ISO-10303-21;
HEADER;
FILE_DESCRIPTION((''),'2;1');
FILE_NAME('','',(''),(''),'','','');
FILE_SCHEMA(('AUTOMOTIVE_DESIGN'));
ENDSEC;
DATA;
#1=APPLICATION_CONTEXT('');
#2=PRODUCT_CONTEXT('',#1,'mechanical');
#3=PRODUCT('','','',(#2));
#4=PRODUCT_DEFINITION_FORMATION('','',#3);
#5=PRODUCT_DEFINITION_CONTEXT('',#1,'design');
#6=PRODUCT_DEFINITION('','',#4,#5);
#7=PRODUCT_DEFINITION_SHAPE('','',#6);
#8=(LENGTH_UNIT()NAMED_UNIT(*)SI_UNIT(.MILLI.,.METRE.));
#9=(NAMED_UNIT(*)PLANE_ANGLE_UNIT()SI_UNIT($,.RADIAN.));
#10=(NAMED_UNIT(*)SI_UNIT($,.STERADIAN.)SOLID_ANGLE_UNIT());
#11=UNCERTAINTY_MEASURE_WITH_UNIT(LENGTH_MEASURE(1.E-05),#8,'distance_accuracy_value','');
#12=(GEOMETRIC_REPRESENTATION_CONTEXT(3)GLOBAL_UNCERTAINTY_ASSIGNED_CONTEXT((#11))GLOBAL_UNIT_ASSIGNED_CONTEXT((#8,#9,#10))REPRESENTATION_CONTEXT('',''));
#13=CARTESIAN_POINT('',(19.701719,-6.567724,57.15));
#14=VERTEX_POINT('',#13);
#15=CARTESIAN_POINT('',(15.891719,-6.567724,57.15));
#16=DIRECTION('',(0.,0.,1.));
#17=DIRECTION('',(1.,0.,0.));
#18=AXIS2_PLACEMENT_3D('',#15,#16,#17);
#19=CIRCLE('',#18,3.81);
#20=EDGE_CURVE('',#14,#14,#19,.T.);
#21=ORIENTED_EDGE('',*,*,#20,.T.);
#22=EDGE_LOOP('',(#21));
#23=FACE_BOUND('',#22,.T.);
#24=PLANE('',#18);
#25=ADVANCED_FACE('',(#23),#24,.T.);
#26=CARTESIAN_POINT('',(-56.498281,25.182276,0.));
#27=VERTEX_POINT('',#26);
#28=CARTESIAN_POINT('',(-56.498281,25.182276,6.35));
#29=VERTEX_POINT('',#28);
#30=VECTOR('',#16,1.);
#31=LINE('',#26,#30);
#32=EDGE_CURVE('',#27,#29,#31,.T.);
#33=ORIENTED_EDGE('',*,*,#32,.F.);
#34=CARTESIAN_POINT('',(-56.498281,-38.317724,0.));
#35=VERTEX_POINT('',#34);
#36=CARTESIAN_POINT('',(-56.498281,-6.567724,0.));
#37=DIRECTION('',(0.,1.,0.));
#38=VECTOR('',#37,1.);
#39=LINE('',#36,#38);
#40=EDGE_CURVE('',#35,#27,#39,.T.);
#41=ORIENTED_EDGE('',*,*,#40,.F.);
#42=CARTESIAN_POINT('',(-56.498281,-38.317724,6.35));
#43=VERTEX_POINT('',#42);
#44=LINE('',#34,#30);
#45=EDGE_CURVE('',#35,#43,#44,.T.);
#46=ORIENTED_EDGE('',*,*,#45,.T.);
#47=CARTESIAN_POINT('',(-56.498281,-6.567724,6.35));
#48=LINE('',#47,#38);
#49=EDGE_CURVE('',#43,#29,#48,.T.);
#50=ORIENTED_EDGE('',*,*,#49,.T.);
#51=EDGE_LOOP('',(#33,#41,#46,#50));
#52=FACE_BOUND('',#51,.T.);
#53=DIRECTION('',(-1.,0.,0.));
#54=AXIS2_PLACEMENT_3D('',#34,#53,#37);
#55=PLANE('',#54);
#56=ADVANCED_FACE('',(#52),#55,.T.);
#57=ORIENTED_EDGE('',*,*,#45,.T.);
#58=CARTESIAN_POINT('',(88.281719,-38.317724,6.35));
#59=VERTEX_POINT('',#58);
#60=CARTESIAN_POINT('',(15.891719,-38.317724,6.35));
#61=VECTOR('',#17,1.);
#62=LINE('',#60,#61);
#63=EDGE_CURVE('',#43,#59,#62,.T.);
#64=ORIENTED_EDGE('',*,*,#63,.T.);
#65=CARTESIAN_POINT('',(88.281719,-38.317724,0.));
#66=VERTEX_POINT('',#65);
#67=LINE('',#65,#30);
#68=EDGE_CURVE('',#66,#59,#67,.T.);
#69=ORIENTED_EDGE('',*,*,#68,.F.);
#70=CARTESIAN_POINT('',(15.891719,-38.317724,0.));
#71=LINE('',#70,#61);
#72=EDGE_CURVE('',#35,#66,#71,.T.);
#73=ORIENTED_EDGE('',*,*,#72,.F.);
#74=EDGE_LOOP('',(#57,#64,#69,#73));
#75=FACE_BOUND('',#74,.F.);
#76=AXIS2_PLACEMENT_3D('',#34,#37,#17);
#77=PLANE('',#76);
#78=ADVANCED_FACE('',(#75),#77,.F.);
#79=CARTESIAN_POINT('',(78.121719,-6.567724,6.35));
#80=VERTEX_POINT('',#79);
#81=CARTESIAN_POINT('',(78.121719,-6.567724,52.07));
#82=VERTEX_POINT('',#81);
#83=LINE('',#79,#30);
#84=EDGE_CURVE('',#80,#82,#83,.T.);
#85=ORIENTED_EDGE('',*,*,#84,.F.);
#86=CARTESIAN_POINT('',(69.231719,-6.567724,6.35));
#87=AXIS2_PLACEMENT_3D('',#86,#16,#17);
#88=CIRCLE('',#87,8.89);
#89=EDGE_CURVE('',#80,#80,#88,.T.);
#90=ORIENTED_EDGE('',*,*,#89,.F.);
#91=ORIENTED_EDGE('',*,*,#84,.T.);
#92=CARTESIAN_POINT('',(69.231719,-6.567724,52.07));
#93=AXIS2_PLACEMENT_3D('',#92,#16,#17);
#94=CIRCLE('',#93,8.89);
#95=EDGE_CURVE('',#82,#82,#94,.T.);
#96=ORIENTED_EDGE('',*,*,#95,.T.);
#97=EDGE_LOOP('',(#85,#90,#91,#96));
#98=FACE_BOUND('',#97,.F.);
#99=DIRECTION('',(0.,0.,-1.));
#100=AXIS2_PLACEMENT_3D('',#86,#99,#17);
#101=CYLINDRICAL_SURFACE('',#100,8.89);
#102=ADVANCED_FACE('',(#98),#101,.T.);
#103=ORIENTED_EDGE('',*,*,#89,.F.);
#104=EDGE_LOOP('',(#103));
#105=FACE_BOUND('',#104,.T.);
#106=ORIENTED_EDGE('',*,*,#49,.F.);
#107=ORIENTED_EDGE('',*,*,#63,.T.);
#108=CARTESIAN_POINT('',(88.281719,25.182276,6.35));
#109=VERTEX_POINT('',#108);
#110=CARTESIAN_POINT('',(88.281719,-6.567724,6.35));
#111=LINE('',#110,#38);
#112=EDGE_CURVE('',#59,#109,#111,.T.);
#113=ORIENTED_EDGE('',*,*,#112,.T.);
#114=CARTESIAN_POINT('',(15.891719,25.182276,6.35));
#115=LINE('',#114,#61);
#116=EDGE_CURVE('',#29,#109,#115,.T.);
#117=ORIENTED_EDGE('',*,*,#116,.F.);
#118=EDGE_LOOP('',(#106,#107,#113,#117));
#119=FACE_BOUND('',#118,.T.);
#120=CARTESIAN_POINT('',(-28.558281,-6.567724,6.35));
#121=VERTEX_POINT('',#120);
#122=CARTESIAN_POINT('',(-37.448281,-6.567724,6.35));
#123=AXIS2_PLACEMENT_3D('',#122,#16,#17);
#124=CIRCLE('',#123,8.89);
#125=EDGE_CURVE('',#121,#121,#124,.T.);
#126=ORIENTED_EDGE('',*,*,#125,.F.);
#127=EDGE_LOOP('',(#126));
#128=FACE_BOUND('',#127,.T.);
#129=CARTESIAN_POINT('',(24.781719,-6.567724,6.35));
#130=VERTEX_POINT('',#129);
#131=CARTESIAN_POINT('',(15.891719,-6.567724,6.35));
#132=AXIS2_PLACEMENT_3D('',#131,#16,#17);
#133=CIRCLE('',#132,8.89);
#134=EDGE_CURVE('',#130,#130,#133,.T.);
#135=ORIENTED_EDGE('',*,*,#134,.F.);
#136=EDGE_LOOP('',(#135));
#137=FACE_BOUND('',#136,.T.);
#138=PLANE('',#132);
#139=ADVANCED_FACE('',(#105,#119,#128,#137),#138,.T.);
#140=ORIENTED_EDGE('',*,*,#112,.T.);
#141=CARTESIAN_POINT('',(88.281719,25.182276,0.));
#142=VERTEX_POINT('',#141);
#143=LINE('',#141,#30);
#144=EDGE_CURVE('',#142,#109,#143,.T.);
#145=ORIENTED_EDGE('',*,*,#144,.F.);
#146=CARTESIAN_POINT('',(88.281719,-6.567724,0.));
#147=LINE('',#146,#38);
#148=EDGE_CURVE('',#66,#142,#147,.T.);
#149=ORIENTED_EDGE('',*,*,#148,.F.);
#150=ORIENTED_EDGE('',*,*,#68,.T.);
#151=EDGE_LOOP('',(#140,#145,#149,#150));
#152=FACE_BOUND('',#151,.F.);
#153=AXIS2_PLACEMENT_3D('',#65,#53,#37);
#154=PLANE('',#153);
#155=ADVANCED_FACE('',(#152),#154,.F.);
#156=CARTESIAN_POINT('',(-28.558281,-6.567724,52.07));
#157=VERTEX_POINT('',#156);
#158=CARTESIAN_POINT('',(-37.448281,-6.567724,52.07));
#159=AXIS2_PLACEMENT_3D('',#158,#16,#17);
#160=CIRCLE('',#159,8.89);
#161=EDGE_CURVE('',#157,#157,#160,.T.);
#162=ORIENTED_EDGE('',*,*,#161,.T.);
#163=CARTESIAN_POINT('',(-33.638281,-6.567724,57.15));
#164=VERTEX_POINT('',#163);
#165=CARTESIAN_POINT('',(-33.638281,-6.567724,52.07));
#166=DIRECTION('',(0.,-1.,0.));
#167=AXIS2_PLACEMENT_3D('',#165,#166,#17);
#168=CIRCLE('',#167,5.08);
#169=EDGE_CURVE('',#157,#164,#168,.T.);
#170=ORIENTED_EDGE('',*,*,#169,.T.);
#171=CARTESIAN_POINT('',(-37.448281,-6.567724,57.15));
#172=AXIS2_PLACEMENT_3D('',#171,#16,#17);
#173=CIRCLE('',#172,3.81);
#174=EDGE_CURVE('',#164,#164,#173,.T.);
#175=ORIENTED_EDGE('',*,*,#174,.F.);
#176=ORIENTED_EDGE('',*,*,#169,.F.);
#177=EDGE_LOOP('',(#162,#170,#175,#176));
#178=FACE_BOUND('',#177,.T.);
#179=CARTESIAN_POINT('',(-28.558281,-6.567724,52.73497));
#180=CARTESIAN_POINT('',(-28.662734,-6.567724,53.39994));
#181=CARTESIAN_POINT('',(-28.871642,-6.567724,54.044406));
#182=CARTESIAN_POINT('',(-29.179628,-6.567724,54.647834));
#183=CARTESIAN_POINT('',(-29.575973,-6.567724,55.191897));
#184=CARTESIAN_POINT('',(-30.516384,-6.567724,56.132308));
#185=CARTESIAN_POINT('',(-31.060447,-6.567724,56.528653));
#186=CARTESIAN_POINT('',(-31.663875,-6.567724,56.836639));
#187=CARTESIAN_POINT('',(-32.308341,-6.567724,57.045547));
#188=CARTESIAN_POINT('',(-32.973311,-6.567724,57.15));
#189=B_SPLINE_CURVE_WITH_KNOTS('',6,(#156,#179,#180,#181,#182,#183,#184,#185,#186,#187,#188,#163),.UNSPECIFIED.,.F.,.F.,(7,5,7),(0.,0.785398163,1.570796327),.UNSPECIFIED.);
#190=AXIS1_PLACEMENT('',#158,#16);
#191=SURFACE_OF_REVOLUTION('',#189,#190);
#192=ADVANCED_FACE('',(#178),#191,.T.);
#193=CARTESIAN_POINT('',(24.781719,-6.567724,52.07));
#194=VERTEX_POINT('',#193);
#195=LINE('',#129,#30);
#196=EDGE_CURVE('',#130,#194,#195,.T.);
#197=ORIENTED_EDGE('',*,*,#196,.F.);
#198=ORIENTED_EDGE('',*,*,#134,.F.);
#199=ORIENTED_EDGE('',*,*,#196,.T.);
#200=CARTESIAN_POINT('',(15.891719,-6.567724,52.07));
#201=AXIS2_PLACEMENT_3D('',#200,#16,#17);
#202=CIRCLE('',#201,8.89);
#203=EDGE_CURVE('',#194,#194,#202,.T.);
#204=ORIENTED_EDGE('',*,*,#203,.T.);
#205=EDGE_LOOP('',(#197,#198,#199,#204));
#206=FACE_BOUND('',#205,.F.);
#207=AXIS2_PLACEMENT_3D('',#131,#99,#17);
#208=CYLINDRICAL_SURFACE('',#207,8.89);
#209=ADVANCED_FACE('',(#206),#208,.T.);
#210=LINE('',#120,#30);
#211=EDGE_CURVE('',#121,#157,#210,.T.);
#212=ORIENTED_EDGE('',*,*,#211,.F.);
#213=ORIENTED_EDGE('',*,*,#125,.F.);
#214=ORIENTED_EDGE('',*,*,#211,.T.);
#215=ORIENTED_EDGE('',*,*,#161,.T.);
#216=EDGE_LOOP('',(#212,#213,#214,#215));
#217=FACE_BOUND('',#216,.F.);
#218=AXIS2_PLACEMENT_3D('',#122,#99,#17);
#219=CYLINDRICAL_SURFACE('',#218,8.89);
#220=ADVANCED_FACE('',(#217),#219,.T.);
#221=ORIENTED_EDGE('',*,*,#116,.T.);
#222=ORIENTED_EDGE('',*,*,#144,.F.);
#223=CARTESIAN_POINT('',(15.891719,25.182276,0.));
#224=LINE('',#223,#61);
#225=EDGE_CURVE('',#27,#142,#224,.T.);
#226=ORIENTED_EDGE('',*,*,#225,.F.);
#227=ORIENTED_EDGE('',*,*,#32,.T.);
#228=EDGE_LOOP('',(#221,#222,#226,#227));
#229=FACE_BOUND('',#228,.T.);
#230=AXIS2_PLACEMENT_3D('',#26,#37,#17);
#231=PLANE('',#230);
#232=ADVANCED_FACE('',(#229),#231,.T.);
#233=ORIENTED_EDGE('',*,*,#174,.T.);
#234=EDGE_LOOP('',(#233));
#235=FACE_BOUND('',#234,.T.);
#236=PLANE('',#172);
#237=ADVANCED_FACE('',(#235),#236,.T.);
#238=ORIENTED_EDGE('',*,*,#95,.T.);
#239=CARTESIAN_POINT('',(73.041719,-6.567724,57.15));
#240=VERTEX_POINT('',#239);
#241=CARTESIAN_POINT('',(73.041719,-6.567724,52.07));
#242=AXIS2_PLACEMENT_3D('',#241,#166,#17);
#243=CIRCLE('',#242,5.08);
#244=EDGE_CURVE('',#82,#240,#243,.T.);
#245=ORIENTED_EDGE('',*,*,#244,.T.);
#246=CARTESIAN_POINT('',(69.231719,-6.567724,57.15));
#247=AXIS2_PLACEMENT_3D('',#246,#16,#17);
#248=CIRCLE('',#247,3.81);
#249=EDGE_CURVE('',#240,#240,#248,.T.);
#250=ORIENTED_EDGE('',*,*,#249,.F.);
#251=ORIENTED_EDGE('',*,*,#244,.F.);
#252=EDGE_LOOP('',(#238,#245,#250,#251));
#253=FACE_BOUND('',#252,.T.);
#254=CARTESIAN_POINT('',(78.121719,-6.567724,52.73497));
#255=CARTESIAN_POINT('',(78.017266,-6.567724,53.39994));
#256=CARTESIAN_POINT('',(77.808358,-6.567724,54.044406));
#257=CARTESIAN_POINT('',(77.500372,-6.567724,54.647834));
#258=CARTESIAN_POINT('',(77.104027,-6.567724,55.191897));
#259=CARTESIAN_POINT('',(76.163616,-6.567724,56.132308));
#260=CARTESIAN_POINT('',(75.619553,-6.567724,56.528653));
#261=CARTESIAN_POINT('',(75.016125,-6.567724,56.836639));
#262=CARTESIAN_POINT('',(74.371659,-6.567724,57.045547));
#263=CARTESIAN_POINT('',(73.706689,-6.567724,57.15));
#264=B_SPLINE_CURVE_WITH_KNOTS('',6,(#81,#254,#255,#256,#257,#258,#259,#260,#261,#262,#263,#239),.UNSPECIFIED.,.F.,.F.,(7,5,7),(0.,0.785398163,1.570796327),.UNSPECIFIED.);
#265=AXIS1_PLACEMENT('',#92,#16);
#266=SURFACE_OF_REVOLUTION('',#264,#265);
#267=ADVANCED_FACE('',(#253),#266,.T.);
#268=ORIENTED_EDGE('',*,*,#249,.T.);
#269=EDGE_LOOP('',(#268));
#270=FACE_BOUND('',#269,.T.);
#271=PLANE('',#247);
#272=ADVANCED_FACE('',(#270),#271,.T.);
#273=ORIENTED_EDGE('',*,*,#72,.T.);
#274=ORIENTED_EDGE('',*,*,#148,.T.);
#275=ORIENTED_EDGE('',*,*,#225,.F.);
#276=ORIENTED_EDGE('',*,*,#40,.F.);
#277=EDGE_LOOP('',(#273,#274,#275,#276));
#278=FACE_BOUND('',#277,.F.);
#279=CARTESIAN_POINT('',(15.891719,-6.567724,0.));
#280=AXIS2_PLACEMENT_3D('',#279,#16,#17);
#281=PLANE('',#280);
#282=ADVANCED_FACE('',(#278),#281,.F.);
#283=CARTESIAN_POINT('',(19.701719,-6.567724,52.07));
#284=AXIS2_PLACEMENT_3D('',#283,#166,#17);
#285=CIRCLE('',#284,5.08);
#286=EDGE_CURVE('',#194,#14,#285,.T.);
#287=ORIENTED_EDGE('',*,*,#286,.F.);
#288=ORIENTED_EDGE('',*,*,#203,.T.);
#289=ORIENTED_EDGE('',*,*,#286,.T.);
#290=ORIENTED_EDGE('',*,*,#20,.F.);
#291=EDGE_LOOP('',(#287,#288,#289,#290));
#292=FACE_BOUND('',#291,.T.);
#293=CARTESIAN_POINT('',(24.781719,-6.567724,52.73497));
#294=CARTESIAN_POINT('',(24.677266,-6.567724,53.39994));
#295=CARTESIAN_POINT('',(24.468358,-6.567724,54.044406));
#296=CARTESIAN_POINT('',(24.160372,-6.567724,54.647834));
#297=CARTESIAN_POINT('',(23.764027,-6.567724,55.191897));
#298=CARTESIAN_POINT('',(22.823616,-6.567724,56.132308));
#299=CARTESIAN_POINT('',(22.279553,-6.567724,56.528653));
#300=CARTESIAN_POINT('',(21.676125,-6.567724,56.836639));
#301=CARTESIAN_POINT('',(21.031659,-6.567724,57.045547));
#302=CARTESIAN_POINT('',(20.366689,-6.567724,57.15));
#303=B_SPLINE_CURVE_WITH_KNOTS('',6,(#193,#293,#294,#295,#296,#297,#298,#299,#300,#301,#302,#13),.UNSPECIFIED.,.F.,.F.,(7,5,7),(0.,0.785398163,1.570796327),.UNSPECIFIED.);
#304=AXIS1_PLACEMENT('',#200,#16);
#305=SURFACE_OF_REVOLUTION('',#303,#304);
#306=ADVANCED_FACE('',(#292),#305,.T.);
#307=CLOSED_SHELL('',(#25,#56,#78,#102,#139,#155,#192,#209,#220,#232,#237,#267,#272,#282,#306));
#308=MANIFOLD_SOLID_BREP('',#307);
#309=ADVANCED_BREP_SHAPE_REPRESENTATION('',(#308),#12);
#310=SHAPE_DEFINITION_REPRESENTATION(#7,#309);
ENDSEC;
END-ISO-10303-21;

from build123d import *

# Parameters (mm, degrees)
F0_W     = 144.78
F0_H     = 63.5
F1_DEPTH = 6.35
F2_R     = 8.89
F3_DEPTH = 50.8
F4_R     = 5.08


with BuildPart() as f1:
    # F0 (on Top) → F1 (new body)
    with BuildSketch(Plane.XY):
        with Locations((15.891719, -6.567724)):
            Rectangle(F0_W, F0_H)
    extrude(amount=F1_DEPTH)

    # F2 (on face) → F3 (join)
    with BuildSketch(Plane.XY.offset(6.35)):
        with Locations((-37.448281, -6.567724)):
            Circle(F2_R)
        with Locations((15.891719, -6.567724)):
            Circle(F2_R)
        with Locations((69.231719, -6.567724)):
            Circle(F2_R)
    extrude(amount=F3_DEPTH)

    # F4
    f4_edges = [f1.edges().sort_by_distance(p)[0] for p in [
        (60.341719, -6.567724, 57.15),
        (7.001719, -6.567724, 57.15),
        (-46.338281, -6.567724, 57.15),
    ]]
    fillet(f4_edges, radius=F4_R)


solid = f1.part
